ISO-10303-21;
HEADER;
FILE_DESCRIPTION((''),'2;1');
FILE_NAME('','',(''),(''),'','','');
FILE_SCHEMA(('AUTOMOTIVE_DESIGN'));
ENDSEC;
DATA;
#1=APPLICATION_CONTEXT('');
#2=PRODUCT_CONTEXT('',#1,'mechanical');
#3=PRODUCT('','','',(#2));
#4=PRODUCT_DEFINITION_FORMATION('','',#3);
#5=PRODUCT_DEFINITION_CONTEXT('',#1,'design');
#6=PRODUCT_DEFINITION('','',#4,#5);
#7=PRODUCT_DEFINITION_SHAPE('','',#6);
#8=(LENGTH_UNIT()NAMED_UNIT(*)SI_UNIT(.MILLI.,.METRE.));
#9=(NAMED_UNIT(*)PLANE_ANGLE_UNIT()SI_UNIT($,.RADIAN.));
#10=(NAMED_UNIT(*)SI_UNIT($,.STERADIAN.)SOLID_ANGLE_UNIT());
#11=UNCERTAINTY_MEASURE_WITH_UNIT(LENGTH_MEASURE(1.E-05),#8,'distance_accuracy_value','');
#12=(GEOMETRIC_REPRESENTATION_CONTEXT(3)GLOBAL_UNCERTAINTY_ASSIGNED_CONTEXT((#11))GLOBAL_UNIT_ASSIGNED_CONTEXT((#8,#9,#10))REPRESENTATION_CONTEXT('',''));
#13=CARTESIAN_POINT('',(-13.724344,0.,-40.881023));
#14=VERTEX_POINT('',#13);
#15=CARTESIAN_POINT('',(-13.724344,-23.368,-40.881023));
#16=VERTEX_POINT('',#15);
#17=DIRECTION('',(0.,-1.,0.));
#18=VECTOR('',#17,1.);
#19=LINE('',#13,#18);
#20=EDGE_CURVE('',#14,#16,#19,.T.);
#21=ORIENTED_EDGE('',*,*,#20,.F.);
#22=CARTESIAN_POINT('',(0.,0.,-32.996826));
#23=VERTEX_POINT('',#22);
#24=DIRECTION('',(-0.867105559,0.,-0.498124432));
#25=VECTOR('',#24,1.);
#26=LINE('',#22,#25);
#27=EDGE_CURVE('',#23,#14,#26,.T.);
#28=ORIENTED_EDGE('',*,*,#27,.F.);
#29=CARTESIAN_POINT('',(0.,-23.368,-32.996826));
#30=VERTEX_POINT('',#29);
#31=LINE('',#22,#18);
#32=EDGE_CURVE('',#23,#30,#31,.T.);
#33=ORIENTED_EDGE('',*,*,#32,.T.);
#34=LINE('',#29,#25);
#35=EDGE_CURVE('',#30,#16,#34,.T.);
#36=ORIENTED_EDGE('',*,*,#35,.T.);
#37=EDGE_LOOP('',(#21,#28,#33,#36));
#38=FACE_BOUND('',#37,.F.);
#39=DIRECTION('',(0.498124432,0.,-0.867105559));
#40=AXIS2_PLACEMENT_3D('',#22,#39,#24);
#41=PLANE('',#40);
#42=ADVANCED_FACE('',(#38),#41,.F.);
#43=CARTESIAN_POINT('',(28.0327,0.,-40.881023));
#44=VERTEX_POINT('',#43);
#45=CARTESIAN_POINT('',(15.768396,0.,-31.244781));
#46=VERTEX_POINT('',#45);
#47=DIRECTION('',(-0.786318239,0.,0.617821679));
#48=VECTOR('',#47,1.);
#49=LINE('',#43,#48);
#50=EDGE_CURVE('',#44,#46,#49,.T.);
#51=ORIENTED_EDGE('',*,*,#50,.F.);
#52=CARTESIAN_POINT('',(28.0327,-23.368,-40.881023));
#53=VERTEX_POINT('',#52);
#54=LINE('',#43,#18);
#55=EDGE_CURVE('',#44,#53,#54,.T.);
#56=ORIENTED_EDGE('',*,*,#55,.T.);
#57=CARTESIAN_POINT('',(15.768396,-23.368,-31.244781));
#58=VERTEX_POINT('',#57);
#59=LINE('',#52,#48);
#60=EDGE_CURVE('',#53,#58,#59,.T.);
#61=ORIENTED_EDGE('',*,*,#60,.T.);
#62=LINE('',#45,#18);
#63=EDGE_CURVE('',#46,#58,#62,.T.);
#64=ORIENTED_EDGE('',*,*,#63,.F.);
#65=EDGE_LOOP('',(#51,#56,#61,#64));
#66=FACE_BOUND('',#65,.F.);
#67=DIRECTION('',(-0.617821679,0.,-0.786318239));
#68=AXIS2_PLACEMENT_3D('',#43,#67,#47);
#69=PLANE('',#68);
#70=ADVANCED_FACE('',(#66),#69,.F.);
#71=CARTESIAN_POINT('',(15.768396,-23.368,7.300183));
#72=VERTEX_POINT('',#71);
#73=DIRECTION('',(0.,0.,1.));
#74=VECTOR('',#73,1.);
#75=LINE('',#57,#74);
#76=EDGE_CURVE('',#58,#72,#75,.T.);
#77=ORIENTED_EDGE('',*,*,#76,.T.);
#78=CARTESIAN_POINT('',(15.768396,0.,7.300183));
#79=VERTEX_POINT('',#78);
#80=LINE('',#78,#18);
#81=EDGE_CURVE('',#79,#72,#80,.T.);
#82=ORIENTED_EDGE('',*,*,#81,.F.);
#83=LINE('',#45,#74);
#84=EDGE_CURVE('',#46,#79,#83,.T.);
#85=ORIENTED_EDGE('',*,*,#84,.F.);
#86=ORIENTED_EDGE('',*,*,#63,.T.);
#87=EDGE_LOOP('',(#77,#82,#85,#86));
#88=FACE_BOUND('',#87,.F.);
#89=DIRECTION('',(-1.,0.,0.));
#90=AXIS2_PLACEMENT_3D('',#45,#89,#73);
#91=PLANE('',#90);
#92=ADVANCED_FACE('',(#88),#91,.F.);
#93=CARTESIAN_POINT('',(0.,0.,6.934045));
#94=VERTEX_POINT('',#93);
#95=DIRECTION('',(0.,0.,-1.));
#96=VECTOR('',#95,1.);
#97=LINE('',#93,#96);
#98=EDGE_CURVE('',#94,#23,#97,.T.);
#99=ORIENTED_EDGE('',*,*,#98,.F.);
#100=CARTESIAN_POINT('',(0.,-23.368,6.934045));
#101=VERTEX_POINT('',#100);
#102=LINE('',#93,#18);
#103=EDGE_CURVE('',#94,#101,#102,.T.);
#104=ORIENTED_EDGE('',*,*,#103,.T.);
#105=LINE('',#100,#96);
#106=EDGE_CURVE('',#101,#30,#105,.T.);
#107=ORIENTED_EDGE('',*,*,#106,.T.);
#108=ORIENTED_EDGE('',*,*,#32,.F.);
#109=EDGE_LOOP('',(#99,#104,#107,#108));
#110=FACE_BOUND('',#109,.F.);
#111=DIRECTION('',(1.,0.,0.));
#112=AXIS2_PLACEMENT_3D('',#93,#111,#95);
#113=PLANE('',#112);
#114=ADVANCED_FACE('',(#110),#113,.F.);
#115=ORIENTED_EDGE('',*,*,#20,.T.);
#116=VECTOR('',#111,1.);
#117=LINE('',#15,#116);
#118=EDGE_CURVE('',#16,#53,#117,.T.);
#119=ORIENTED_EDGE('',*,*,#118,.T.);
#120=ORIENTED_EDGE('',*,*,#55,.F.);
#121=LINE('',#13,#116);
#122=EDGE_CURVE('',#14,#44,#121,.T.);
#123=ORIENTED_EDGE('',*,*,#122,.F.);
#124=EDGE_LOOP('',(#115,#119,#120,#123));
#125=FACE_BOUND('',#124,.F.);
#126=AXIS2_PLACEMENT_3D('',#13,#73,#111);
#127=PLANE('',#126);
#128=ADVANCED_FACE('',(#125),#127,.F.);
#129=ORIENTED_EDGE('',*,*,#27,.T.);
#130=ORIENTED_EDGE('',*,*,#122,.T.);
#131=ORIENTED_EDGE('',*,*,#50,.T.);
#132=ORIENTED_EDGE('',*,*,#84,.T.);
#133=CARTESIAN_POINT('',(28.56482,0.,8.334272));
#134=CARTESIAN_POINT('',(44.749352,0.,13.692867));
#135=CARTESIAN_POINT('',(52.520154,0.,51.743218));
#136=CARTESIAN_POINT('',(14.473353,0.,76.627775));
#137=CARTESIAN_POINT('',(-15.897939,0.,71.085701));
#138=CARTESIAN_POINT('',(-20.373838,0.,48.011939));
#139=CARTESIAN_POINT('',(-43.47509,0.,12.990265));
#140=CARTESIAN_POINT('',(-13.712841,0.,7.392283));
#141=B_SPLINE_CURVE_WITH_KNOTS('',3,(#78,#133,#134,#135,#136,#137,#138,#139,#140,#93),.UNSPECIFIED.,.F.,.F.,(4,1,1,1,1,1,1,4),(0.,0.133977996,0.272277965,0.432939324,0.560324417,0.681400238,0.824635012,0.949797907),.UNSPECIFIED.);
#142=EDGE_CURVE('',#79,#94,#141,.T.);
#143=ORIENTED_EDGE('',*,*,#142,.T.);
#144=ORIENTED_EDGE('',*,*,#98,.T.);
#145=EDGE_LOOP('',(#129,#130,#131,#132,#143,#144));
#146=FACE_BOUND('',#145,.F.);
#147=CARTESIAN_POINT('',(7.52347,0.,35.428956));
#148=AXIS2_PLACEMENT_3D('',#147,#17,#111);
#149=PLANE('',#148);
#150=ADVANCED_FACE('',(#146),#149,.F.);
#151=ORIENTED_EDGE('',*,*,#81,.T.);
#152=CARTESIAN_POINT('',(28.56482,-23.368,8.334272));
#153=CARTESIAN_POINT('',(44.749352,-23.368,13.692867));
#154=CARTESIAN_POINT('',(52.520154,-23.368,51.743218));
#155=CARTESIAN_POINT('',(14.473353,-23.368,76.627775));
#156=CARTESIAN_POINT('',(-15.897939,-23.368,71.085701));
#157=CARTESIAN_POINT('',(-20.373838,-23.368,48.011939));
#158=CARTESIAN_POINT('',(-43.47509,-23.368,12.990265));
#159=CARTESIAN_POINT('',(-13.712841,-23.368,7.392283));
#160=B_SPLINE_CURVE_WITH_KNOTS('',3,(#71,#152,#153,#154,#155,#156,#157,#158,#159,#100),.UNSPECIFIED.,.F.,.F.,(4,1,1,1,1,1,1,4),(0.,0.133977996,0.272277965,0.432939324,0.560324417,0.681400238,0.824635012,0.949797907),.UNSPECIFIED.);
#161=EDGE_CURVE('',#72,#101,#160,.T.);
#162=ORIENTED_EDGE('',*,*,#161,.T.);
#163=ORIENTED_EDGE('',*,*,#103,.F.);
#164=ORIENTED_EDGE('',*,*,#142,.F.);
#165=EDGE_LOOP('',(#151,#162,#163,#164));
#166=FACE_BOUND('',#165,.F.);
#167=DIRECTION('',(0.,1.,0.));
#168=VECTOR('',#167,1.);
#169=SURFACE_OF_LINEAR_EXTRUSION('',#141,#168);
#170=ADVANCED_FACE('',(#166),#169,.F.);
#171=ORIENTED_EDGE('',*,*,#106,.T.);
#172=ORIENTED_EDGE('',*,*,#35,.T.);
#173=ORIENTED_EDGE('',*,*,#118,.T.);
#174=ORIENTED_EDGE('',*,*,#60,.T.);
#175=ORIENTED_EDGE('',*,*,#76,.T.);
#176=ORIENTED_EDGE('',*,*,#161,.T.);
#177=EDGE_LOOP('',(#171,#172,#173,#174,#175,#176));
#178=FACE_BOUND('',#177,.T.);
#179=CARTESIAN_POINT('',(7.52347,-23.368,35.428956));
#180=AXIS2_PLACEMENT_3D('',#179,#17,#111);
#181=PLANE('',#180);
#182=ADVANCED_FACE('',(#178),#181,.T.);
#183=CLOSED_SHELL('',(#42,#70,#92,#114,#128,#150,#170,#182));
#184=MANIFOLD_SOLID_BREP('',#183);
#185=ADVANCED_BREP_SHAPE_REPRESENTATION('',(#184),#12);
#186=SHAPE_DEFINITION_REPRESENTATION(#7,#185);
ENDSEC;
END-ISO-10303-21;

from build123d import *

# Parameters (mm, degrees)
F1_DEPTH = 23.368


with BuildPart() as f1:
    # F0 (on Front) → F1 (new body)
    with BuildSketch(Plane.XZ):
        with BuildLine():
            Line((0, 22.4845614284), (15.7683957368, 22.4845614284))
            Line((15.7683957368, 22.4845614284), (15.7683957368, 7.3001827113))
            add(Edge.make_bspline(
                [(15.7683957368, 7.3001827113), (28.5648202272, 8.3342720321), (44.7493518397, 13.6928671851), (52.5201538189, 51.7432175559), (14.4733529321, 76.6277749037), (-15.8979387151, 71.0857014797), (-20.3738383211, 48.0119389831), (-43.4750898591, 12.9902648829), (-13.7128408695, 7.392283087), (0, 6.9340453597)],
                knots=[0, 0, 0, 0, 0.1339779961, 0.2722779651, 0.4329393242, 0.5603244175, 0.6814002385, 0.8246350123, 0.9497979068, 0.9497979068, 0.9497979068, 0.9497979068], degree=3))
            Line((0, 6.9340453597), (0, 22.4845614284))
        make_face()
        with BuildLine():
            Line((15.7683957368, 7.3001827113), (15.7683957368, 22.4845614284))
            Line((15.7683957368, 22.4845614284), (0, 22.4845614284))
            Line((0, 22.4845614284), (0, 6.9340453597))
            add(Edge.make_bspline(
                [(0, 6.9340453597), (5.5001389773, 6.7502489306), (10.9735240918, 6.9127052901), (15.7683957368, 7.3001827113)],
                knots=[0.9497979068, 0.9497979068, 0.9497979068, 0.9497979068, 1, 1, 1, 1], degree=3))
        make_face()
        with BuildLine():
            Line((15.7683957368, -31.2447808683), (15.7683957368, 7.3001827113))
            add(Edge.make_bspline(
                [(0, 6.9340453597), (5.5001389773, 6.7502489306), (10.9735240918, 6.9127052901), (15.7683957368, 7.3001827113)],
                knots=[0.9497979068, 0.9497979068, 0.9497979068, 0.9497979068, 1, 1, 1, 1], degree=3))
            Line((0, 6.9340453597), (0, -32.9968258739))
            Line((0, -32.9968258739), (-13.7243438512, -40.8810228109))
            Line((-13.7243438512, -40.8810228109), (-2.9200734571, -40.8810228109))
            Line((-2.9200734571, -40.8810228109), (28.0326995999, -40.8810228109))
            Line((28.0326995999, -40.8810228109), (15.7683957368, -31.2447808683))
        make_face()
    extrude(amount=F1_DEPTH)


solid = f1.part
